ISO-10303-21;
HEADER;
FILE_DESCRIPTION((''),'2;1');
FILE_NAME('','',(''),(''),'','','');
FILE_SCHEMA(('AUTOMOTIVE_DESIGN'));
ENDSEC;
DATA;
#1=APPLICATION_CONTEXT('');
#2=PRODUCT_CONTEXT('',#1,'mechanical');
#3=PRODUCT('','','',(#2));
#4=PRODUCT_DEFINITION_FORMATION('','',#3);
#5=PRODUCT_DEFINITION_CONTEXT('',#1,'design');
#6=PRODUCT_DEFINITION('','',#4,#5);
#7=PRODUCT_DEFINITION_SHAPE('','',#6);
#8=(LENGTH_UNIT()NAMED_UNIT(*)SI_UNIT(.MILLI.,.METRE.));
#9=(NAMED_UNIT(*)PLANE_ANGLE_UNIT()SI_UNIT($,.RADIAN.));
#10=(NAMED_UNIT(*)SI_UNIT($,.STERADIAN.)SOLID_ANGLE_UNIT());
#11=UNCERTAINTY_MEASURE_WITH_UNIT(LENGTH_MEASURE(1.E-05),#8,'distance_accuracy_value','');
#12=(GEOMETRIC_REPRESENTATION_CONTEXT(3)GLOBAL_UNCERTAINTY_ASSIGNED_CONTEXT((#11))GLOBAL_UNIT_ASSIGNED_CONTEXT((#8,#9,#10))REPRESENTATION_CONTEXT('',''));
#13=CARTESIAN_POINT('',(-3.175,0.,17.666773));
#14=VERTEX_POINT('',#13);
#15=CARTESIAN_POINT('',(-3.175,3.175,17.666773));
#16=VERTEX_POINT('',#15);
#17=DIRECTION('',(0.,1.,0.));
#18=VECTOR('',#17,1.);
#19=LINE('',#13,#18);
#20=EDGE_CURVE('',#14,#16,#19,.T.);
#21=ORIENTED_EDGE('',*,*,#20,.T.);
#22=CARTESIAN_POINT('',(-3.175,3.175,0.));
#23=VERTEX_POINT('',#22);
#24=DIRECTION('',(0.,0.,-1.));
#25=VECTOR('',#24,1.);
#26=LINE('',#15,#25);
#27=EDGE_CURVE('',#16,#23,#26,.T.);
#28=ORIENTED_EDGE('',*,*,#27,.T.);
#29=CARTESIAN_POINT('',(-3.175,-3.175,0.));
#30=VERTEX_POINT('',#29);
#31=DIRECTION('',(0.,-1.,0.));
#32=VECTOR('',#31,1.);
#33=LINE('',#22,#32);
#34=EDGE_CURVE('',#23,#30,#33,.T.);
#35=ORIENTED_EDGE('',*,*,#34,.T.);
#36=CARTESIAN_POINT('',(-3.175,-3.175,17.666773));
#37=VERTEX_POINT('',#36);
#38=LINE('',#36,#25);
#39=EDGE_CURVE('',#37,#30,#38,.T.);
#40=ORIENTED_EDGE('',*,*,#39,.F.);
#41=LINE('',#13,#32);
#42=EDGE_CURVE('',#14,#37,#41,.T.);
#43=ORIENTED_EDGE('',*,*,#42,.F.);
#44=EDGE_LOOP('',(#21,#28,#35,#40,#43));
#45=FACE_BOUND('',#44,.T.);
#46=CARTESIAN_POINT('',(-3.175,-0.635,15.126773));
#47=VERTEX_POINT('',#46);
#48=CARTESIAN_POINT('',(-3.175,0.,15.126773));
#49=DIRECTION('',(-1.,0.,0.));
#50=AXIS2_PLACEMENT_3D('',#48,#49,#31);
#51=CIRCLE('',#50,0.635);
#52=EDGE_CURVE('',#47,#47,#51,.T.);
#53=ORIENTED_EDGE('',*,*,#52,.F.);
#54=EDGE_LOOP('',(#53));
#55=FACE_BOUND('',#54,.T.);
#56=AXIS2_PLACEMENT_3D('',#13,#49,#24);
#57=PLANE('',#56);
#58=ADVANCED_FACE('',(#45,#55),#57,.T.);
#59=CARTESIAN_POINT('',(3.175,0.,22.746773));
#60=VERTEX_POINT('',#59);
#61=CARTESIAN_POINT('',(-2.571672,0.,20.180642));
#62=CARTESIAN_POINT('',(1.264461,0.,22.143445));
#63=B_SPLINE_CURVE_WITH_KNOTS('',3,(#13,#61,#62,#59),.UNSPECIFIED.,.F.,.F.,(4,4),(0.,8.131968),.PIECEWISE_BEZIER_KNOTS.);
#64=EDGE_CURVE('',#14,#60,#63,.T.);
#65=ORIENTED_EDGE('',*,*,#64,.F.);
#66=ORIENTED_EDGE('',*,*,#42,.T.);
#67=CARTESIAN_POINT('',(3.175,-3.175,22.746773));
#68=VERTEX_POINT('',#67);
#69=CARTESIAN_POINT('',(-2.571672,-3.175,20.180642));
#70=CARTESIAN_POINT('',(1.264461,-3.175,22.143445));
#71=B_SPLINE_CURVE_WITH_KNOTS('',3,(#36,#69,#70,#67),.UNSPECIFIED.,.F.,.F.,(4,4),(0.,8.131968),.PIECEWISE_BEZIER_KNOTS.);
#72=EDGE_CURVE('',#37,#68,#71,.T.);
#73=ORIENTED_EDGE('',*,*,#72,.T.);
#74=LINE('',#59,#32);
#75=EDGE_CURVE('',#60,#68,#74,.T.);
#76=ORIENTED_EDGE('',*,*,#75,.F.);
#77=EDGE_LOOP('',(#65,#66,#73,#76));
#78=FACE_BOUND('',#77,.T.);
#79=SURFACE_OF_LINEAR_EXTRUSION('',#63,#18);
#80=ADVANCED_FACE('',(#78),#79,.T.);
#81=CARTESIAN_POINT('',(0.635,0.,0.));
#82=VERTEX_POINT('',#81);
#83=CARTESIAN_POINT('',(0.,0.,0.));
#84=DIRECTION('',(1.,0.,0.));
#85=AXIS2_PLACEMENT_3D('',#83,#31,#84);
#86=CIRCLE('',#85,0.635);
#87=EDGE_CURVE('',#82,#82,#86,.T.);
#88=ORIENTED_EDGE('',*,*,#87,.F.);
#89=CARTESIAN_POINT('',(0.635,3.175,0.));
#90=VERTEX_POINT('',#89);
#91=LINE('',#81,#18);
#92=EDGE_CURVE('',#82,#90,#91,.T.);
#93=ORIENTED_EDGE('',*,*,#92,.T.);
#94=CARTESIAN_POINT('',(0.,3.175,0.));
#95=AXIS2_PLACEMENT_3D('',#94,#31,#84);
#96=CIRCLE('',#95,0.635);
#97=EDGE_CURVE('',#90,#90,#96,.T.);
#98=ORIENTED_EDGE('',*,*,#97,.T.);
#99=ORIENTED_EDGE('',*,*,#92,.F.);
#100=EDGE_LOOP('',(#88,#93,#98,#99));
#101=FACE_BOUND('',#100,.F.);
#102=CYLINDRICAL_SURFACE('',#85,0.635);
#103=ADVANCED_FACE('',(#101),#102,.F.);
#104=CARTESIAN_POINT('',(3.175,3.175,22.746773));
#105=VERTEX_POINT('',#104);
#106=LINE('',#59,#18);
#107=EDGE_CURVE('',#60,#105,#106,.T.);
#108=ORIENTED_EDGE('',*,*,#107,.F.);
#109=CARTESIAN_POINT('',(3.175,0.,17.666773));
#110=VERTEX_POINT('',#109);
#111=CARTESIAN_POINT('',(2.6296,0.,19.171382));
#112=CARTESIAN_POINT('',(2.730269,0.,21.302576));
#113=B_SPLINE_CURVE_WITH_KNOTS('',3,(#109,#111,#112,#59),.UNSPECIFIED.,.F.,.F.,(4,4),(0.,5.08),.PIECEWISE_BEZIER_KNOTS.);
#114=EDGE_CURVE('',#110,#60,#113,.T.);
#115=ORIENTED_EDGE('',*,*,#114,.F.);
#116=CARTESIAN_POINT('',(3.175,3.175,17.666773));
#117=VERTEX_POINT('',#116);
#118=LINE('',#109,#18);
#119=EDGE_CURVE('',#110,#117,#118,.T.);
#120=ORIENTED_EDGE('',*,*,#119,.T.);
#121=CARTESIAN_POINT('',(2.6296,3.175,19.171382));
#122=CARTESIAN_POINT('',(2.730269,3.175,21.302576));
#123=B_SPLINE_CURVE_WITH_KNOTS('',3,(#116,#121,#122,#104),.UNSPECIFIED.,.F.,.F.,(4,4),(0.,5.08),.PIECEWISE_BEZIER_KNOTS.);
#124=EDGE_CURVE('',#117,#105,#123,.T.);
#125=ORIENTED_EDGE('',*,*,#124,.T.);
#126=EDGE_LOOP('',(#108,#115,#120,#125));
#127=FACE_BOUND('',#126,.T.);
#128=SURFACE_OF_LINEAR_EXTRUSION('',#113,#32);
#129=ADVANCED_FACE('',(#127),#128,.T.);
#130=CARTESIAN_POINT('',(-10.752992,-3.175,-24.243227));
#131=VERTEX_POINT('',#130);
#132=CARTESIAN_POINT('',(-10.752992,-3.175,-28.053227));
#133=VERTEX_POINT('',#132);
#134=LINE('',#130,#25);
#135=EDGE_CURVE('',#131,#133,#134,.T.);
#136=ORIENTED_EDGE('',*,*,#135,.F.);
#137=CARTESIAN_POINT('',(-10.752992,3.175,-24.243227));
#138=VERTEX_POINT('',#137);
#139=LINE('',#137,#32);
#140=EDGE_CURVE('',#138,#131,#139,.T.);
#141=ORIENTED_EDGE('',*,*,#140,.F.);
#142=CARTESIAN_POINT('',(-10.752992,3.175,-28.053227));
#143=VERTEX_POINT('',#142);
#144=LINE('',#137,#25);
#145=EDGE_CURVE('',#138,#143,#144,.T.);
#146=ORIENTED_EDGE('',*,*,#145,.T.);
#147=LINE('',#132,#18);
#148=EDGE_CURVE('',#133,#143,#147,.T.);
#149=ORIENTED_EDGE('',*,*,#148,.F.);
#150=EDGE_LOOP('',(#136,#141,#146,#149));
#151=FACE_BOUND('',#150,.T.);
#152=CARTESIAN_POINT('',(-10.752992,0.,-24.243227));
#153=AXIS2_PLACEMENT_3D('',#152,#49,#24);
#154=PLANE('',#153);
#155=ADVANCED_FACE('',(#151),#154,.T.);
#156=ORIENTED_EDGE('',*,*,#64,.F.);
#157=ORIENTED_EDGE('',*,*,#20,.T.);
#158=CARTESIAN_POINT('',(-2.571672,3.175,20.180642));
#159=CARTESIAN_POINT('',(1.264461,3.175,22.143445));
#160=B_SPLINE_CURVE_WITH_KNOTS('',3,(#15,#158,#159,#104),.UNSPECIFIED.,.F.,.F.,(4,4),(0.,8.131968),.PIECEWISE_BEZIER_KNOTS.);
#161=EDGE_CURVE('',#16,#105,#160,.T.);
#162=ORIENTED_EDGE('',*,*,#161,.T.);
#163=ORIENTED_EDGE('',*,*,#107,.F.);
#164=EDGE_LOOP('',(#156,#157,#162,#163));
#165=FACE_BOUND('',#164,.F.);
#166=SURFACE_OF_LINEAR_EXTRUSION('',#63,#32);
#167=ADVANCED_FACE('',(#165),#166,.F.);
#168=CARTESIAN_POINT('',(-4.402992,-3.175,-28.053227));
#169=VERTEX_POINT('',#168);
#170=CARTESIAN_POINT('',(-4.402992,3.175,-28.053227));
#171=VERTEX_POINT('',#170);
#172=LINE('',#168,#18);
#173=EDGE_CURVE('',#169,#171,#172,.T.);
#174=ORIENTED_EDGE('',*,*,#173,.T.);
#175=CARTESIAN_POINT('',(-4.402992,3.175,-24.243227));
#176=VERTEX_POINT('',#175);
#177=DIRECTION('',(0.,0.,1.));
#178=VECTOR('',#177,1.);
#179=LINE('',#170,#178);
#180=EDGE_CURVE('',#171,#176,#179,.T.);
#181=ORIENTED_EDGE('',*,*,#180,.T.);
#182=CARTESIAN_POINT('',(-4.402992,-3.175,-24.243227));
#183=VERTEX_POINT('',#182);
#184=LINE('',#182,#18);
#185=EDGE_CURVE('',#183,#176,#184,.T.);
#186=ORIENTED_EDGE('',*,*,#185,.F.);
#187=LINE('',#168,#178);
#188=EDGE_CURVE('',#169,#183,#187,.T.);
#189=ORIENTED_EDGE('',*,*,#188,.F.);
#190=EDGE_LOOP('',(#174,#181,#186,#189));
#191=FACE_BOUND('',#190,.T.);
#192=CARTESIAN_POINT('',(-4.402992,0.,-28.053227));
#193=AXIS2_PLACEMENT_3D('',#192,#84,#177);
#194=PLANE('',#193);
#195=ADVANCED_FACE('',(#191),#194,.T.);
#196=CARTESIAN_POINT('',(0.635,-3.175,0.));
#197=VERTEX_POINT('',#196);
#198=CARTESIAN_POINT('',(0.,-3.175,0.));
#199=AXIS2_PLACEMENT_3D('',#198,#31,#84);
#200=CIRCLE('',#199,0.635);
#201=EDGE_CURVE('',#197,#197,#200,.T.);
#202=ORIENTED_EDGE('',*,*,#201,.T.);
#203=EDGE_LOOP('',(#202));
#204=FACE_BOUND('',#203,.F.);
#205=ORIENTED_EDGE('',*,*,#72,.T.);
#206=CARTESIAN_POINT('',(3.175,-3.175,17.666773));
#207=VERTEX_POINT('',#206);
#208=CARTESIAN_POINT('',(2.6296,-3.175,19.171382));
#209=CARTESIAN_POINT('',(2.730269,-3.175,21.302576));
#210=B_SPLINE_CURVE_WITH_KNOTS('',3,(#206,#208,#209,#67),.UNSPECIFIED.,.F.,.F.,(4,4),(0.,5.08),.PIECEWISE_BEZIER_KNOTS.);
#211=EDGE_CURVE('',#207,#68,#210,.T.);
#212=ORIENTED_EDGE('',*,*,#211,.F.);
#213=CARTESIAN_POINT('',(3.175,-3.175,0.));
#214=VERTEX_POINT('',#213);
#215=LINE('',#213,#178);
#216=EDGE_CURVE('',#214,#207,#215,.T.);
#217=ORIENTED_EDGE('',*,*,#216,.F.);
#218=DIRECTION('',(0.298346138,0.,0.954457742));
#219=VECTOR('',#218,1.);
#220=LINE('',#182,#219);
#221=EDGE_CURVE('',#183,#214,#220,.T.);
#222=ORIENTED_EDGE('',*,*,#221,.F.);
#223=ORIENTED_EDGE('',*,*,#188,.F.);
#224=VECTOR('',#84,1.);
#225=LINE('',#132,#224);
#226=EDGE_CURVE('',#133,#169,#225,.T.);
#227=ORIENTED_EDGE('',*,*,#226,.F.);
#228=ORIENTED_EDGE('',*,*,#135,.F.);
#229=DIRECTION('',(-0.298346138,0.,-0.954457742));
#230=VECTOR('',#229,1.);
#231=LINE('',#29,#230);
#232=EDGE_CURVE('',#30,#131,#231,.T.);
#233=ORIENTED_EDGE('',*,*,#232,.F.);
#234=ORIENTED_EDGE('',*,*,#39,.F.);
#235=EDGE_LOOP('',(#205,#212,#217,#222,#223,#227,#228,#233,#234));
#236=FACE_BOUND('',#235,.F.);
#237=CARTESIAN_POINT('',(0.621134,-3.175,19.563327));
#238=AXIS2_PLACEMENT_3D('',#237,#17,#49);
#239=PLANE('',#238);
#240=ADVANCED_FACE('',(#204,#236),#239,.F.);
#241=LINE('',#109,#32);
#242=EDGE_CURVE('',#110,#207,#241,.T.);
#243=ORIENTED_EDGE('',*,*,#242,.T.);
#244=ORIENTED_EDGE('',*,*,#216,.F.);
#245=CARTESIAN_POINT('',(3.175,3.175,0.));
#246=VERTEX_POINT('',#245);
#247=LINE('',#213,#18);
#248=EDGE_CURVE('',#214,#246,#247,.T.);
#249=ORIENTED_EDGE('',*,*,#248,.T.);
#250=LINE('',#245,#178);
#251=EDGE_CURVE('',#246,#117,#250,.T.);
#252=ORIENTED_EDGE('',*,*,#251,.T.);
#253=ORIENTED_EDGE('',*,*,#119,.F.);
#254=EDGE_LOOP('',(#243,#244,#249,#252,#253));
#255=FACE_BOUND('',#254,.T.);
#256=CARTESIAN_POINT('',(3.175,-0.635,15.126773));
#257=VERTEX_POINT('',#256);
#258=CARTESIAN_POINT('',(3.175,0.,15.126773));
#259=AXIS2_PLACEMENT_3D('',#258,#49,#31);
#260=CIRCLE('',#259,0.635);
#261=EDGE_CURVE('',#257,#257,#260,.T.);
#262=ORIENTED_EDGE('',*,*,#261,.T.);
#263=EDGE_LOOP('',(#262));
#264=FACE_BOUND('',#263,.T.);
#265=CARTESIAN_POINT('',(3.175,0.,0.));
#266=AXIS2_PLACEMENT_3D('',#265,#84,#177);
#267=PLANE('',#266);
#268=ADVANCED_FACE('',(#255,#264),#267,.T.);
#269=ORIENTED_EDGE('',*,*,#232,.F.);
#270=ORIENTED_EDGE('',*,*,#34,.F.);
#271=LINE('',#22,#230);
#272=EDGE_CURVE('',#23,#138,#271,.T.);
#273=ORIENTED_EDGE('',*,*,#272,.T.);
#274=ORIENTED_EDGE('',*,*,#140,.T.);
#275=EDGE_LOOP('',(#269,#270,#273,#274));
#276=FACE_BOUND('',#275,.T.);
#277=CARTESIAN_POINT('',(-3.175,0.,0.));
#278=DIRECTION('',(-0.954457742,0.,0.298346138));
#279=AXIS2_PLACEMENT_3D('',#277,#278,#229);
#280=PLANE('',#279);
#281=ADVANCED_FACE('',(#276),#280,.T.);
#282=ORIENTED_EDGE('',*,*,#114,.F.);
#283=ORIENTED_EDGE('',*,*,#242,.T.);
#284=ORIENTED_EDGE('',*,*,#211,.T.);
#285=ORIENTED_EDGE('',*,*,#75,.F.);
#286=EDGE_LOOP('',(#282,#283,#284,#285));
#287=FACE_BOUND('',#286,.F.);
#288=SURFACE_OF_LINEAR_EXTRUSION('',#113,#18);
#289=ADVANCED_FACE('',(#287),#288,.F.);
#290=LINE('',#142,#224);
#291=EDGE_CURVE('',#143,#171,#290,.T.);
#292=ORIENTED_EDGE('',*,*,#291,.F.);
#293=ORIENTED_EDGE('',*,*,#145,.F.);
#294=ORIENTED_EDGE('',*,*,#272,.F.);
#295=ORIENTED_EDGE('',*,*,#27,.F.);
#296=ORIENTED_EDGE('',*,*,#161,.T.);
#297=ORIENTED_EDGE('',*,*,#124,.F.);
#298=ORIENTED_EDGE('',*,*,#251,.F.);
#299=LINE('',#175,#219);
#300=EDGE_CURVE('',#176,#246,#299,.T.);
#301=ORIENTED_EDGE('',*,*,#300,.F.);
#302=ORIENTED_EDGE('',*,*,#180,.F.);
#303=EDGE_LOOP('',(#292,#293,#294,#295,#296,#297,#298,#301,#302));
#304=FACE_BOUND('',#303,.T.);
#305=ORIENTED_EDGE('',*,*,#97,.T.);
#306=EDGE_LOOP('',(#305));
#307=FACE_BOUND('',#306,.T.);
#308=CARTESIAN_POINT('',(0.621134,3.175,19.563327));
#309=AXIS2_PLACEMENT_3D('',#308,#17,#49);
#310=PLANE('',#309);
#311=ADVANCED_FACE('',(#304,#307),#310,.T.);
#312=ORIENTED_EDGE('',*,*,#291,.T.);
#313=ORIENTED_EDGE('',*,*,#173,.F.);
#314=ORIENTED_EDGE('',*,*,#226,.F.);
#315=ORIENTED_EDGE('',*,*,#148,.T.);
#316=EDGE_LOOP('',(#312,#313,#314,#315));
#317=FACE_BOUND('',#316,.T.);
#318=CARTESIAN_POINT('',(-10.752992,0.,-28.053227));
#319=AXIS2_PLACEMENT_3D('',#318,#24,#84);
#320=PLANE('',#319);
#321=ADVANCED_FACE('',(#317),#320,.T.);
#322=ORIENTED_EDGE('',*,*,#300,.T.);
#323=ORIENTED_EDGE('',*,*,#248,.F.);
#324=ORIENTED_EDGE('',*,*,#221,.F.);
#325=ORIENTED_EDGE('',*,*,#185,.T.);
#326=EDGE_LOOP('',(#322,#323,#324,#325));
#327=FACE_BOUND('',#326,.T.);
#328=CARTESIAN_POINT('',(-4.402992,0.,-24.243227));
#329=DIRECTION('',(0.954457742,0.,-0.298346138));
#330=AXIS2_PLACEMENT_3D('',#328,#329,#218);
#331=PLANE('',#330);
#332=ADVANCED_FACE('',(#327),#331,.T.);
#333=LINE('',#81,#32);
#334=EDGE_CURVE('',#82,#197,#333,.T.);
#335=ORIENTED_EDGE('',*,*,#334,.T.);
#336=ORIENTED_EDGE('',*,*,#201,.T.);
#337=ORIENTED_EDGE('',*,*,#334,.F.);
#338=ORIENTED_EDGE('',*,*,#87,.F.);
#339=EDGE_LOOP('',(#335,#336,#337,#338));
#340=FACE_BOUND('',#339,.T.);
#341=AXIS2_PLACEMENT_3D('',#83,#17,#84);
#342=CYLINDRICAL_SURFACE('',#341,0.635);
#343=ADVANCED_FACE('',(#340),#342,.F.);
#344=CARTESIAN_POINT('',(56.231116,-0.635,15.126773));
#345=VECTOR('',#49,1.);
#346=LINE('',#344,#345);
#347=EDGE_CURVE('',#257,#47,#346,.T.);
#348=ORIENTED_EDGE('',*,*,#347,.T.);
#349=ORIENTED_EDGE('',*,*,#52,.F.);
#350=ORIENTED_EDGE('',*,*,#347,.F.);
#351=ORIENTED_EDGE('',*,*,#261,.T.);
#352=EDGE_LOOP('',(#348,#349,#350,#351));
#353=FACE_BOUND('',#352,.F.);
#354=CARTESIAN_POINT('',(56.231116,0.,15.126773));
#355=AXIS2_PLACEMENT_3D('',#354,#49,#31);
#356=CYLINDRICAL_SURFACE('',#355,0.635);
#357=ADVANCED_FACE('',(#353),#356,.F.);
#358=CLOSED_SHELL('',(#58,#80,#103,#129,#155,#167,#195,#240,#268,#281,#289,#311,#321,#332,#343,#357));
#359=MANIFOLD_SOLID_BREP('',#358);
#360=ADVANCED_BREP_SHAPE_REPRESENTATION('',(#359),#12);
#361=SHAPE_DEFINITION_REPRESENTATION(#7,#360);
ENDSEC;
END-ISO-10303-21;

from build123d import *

# Parameters (mm, degrees)
F0_R     = 0.635
F1_DEPTH = 3.175
F3_D     = 1.27


with BuildPart() as f1:
    # F0 (on Front) → F1 (new body, symmetric)
    with BuildSketch(Plane.XZ):
        with BuildLine():
            add(Edge.make_bspline(
                [(-3.175, 17.666773), (-2.571672, 20.180642), (1.264461, 22.143445), (3.175, 22.746773)],
                knots=[0, 0, 0, 0, 8.131968, 8.131968, 8.131968, 8.131968], degree=3))
            Line((-3.175, 17.666773), (3.175, 17.666773))
            add(Edge.make_bspline(
                [(3.175, 17.666773), (2.6296, 19.171382), (2.730269, 21.302576), (3.175, 22.746773)],
                knots=[0, 0, 0, 0, 5.08, 5.08, 5.08, 5.08], degree=3))
        make_face()
        Polygon((3.175, 17.666773), (-3.175, 17.666773), (-3.175, 0), (-10.752992, -24.243227), (-4.402992, -24.243227), (3.175, 0), align=None)
        Circle(F0_R, mode=Mode.SUBTRACT)
        Polygon((-4.402992, -24.243227), (-10.752992, -24.243227), (-10.752992, -28.053227), (-4.402992, -28.053227), (-4.402992, -26.148227), align=None)
    extrude(amount=F1_DEPTH, both=True)

    # F3 (through all)
    with Locations(Plane.YZ.offset(3.175)):
        with Locations((0, 15.126773)):
            Hole(F3_D / 2)


solid = f1.part
